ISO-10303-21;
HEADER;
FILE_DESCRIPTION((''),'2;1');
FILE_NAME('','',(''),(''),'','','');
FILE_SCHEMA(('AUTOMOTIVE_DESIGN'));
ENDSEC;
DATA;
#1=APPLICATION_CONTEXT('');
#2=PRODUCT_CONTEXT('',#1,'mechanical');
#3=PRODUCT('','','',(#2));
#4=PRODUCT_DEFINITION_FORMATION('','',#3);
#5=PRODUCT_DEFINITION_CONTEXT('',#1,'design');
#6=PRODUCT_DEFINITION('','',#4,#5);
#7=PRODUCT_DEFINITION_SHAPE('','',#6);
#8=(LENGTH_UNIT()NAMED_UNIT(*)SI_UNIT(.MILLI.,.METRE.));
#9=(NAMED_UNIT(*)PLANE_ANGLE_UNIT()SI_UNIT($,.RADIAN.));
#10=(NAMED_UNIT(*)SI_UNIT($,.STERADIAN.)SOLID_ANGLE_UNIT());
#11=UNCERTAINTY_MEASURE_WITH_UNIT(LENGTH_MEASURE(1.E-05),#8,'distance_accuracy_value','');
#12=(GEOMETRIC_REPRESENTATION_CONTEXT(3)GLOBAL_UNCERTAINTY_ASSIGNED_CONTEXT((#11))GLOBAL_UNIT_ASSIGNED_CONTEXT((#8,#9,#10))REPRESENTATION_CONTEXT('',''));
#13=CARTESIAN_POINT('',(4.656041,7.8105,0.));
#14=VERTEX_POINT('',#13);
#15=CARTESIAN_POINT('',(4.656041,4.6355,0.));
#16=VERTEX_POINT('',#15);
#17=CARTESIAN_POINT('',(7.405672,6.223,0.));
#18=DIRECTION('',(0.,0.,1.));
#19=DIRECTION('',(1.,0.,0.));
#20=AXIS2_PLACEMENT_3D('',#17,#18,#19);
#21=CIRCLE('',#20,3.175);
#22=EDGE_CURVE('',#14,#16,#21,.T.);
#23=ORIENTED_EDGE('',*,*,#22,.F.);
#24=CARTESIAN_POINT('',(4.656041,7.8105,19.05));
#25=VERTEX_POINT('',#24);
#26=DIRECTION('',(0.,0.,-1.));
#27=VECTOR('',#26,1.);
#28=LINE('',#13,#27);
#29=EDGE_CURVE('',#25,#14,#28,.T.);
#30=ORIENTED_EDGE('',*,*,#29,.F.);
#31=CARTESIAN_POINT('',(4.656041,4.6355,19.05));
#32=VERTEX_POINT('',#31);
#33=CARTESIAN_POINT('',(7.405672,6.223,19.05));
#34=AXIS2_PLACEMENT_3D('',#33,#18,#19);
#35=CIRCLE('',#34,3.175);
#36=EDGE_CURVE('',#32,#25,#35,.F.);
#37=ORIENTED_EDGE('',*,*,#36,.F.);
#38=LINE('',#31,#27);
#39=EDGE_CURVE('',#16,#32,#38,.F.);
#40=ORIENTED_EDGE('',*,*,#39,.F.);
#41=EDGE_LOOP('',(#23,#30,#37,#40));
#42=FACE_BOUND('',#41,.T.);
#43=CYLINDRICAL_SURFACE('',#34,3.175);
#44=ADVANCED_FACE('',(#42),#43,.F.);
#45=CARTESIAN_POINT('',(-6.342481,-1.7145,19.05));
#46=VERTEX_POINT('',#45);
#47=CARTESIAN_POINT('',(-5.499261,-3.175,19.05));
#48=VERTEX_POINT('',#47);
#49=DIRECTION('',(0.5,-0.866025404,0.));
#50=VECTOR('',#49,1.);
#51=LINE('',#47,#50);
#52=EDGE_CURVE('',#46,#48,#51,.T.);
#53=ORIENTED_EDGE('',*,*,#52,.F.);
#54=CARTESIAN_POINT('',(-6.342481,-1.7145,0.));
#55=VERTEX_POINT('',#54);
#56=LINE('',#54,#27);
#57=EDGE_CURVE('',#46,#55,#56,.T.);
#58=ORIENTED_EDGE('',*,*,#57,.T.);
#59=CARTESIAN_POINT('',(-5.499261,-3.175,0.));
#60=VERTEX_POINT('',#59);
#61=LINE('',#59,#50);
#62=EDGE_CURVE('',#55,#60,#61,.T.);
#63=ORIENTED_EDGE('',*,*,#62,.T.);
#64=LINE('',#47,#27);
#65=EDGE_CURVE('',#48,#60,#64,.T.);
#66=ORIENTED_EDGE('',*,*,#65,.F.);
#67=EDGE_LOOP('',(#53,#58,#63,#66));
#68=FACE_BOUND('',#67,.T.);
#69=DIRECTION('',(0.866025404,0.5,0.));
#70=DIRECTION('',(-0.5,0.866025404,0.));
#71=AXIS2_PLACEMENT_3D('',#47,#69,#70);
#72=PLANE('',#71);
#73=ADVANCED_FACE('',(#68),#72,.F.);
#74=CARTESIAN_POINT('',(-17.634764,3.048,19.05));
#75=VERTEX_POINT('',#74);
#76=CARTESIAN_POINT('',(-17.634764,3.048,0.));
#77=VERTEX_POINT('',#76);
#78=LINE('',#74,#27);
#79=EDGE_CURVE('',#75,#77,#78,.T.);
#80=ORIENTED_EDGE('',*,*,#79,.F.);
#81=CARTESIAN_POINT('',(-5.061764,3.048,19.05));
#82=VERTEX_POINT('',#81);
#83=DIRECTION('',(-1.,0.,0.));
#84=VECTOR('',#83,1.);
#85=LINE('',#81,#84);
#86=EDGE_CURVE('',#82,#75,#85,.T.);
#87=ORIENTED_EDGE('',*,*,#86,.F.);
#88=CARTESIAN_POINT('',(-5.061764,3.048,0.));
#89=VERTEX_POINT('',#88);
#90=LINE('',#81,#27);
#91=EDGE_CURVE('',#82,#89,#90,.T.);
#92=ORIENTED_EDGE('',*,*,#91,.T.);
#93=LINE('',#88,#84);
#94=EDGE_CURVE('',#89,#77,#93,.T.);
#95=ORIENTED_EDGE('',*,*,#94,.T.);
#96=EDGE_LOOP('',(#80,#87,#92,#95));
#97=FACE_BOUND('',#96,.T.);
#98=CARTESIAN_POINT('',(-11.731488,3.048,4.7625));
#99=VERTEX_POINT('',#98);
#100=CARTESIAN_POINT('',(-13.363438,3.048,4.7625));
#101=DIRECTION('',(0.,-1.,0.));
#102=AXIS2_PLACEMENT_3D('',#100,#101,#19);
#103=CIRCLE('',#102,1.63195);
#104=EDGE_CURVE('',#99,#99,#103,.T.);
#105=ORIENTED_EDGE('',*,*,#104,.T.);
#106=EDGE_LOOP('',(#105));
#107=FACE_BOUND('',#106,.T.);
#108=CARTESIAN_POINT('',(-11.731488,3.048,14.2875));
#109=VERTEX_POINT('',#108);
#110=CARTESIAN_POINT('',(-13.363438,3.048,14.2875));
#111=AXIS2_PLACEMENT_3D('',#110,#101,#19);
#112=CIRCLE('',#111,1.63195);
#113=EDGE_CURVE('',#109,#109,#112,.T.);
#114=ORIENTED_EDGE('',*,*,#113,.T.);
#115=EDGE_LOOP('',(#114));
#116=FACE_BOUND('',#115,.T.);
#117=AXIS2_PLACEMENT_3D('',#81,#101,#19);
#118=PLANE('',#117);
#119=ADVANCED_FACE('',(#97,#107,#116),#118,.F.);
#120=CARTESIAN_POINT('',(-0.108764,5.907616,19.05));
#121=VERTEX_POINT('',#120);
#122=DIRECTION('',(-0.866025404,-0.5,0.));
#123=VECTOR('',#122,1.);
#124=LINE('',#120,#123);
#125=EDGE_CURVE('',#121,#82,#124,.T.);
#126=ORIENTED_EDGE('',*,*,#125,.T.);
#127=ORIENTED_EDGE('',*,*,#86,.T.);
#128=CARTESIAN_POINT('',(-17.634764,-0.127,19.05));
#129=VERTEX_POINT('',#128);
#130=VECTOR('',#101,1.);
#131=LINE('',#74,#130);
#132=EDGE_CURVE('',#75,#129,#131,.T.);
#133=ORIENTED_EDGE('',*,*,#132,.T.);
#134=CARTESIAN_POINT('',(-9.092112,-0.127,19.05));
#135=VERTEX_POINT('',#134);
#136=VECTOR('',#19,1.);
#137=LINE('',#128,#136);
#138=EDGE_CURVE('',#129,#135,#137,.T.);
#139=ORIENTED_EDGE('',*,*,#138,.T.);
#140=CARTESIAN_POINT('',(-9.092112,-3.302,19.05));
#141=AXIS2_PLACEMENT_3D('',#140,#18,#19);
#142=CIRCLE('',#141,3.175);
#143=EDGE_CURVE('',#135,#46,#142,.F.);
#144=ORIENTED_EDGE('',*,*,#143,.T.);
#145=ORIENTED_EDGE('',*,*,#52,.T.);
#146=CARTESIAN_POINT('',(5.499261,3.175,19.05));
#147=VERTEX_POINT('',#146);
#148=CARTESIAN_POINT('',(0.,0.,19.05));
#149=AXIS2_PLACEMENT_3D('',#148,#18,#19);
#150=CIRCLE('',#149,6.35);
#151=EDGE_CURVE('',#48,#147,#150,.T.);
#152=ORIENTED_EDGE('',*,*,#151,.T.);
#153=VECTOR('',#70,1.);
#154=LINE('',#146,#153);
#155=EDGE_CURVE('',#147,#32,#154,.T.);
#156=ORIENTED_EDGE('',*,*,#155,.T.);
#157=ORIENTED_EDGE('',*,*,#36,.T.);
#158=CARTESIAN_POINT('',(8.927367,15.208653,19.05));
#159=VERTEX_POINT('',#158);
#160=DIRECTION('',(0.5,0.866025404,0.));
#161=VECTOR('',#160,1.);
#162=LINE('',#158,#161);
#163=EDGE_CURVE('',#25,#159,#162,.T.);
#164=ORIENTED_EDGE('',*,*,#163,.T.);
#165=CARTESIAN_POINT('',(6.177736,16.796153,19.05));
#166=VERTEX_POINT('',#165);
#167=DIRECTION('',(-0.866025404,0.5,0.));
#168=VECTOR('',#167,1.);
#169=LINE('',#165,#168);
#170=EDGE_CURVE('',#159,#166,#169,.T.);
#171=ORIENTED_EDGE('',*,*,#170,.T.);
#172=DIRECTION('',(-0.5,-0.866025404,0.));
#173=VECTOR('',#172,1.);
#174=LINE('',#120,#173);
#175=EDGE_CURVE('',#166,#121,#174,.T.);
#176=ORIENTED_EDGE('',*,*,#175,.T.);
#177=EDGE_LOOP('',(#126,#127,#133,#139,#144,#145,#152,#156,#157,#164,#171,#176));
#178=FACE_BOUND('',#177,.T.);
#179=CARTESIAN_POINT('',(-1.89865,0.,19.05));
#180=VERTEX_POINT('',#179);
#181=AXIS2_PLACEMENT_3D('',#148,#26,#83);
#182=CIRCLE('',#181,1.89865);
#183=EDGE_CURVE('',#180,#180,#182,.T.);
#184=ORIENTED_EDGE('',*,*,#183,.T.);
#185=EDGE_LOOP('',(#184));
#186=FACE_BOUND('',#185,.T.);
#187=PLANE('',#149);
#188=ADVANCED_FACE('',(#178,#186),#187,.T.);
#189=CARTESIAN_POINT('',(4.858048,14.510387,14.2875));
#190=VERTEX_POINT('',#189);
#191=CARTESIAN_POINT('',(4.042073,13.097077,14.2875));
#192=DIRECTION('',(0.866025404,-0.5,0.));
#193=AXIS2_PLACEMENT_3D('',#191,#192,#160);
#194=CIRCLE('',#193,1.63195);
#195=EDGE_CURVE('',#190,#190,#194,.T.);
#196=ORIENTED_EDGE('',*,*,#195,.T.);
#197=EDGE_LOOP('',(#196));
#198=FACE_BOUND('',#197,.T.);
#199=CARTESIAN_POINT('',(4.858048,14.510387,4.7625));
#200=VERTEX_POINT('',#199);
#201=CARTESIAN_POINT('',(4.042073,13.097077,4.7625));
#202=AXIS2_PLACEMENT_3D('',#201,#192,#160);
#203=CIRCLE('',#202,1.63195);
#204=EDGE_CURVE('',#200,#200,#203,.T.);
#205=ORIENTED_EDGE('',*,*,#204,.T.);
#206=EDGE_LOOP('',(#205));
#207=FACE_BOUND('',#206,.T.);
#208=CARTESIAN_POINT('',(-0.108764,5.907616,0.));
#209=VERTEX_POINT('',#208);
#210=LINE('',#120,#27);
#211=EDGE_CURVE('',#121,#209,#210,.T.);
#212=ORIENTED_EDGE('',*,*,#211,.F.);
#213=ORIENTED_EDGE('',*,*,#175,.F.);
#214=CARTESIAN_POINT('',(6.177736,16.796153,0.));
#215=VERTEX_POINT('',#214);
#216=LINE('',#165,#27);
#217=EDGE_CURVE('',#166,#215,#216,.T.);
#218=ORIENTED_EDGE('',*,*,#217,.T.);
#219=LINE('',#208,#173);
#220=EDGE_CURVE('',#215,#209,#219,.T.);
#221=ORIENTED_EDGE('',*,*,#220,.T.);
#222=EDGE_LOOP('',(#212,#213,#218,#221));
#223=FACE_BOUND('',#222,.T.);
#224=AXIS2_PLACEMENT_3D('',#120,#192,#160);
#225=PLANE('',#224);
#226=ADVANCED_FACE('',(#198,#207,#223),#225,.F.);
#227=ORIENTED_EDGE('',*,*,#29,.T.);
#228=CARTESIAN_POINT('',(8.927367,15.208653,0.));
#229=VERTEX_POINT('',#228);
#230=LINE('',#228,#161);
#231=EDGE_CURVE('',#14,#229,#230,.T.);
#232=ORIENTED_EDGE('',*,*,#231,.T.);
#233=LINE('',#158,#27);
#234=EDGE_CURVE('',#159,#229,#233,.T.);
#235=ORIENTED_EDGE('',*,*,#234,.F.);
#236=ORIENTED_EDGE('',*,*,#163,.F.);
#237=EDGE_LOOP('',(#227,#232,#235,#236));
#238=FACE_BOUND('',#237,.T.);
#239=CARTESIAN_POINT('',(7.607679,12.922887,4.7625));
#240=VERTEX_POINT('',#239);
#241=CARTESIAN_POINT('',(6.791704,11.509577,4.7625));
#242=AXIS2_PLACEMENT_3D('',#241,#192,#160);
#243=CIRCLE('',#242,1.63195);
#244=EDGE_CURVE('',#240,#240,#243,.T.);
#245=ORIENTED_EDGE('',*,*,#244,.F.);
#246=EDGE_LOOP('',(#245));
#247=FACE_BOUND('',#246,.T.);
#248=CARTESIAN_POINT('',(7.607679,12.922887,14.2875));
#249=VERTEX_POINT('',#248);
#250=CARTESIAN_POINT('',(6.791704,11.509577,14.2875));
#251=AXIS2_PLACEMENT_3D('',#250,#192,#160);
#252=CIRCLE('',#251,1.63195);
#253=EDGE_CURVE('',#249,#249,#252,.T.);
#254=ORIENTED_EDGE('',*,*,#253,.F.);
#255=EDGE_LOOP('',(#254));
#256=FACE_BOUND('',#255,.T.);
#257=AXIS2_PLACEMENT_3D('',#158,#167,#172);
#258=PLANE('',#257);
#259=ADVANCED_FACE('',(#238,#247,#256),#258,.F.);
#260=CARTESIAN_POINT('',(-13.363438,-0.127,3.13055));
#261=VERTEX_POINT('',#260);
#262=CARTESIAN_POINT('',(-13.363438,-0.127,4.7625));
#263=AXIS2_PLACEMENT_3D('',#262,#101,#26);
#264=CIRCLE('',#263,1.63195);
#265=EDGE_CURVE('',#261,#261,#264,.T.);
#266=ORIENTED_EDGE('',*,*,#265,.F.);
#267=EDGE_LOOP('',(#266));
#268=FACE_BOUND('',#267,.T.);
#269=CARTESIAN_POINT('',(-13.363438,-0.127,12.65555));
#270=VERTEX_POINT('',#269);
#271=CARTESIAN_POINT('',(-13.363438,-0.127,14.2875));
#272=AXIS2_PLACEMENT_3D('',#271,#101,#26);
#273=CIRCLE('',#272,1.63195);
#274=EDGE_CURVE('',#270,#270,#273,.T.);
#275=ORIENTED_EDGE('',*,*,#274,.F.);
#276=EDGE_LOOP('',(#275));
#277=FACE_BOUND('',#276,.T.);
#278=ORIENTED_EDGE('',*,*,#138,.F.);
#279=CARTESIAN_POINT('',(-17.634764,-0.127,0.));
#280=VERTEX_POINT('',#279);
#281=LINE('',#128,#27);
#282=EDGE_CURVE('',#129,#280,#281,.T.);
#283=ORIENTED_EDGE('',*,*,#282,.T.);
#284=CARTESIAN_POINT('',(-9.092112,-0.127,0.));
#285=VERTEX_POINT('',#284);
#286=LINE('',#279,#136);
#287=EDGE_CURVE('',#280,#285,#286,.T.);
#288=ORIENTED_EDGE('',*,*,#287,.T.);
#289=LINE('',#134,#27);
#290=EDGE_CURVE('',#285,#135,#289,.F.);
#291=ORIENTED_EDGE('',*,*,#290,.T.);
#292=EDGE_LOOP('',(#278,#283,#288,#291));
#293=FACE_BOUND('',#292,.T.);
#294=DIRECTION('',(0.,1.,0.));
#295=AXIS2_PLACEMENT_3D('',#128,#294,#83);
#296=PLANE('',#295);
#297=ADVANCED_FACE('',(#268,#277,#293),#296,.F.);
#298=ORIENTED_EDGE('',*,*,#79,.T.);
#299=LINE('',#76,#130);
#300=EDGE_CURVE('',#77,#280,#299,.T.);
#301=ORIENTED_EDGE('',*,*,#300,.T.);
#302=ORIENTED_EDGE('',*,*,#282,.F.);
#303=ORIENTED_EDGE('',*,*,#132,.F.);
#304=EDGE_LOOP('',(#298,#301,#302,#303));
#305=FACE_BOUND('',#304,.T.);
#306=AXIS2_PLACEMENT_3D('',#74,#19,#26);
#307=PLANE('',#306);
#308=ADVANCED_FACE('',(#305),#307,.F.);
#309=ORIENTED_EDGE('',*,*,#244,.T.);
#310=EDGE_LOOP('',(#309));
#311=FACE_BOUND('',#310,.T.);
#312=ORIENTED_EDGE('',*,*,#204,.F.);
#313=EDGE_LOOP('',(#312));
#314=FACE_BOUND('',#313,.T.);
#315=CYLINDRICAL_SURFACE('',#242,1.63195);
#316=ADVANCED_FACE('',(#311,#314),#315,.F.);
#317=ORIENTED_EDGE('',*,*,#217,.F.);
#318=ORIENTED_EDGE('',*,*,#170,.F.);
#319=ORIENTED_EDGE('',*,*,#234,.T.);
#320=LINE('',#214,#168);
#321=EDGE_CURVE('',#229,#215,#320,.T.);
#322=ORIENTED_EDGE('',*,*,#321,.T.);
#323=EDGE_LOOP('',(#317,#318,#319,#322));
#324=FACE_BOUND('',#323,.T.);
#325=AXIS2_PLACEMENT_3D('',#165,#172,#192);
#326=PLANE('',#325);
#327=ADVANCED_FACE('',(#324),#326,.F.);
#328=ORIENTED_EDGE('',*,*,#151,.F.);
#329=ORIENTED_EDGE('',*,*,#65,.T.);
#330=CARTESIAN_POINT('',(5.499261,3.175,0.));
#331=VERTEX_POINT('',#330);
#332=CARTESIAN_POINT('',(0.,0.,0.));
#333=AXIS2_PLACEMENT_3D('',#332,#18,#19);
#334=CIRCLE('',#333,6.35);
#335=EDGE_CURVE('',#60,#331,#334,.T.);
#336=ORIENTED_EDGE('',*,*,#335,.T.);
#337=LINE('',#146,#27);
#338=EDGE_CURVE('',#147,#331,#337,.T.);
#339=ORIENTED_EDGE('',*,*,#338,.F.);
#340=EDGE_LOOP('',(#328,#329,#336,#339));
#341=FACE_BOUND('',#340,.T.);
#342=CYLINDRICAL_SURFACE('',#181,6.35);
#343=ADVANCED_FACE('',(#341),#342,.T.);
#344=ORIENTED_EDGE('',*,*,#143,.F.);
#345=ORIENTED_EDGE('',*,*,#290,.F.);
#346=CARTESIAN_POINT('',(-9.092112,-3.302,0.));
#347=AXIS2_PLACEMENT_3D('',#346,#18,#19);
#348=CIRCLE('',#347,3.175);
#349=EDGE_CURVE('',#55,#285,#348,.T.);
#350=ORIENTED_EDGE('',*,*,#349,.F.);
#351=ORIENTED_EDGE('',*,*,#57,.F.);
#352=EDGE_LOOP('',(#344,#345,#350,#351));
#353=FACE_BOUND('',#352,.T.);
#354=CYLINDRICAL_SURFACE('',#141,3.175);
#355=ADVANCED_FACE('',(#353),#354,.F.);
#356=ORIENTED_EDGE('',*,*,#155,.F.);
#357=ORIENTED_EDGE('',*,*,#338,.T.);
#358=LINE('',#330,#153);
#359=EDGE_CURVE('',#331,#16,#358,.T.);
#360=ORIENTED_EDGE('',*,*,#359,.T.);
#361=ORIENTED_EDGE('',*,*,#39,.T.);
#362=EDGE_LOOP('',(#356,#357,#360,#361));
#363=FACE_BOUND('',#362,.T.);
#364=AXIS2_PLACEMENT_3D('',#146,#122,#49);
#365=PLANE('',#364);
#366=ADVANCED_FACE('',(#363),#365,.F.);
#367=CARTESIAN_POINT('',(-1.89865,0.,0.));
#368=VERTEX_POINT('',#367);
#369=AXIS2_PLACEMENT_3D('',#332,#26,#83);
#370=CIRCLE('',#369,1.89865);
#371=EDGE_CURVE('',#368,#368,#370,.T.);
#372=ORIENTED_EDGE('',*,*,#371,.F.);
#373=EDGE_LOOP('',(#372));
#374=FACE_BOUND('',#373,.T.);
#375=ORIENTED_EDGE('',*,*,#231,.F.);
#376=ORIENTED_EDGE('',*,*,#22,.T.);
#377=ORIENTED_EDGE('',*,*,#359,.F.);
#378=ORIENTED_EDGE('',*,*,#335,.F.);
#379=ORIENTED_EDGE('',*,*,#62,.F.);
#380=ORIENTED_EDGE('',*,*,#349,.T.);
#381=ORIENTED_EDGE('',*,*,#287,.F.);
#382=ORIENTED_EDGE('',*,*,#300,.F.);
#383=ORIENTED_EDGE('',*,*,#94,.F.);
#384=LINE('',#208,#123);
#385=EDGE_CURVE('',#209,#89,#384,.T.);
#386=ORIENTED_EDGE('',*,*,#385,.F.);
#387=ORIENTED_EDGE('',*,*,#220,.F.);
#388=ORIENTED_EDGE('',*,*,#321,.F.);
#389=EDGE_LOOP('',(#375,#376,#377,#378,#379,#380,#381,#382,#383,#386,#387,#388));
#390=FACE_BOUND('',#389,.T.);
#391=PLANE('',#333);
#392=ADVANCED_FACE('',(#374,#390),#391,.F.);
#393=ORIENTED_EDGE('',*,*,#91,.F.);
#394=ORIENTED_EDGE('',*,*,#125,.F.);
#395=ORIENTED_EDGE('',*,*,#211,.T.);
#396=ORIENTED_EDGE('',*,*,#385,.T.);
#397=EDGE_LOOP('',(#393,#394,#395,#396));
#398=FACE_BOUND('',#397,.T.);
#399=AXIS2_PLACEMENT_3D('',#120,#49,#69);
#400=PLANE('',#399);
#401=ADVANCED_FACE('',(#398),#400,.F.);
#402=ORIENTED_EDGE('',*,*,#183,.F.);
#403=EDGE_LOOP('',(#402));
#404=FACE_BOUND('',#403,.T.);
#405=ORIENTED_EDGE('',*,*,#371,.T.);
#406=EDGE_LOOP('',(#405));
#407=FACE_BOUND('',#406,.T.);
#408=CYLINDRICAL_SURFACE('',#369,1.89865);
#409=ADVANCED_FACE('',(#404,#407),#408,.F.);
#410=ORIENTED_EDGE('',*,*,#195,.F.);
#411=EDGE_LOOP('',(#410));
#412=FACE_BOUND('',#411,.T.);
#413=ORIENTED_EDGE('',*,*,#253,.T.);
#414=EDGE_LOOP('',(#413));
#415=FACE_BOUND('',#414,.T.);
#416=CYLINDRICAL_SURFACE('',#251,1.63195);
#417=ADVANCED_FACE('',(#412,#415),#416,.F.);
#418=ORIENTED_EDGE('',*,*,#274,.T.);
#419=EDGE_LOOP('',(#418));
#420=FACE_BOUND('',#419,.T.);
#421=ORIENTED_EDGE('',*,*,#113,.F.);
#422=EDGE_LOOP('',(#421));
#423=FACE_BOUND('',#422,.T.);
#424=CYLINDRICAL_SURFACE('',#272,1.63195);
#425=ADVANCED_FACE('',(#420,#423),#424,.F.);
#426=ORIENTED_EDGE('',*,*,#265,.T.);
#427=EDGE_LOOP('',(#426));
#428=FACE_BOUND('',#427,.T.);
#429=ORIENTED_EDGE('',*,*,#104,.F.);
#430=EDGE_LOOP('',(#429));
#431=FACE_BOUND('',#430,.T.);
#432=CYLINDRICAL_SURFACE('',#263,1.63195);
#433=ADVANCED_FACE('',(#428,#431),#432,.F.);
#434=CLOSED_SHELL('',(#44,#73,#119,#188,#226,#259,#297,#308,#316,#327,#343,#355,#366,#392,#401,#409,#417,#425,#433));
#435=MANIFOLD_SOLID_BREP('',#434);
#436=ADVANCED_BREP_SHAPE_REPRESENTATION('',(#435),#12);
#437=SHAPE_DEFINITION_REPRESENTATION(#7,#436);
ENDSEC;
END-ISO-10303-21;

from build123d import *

# Parameters (mm, degrees)
BOSS_EXTRUDE1_DEPTH     = 19.05
F_6_CLEARANCE_HOLE1_D   = 3.7973
FILLET1_R               = 3.175
E_0_25_DIAMETER_HOLE1_D = 3.2639
E_0_25_DIAMETER_HOLE2_D = 3.2639


with BuildPart() as part:
    # Sketch1 → Boss-Extrude1 (new body)
    with BuildSketch(Plane.XY):
        with BuildLine():
            Line((-0.10876362, 5.907615883), (6.17773638, 16.796153285))
            Line((6.17773638, 16.796153285), (8.927367037, 15.208653285))
            Line((8.927367037, 15.208653285), (3.739497694, 6.223))
            Line((3.739497694, 6.223), (5.499261314, 3.175))
            ThreePointArc((5.499261314, 3.175), (3.175, -5.499261314), (-5.499261314, -3.175))
            Line((-5.499261314, -3.175), (-7.259024935, -0.127))
            Line((-7.259024935, -0.127), (-17.63476362, -0.127))
            Line((-17.63476362, -0.127), (-17.63476362, 3.048))
            Line((-17.63476362, 3.048), (-5.06176362, 3.048))
            Line((-5.06176362, 3.048), (-0.10876362, 5.907615883))
        make_face()
    extrude(amount=BOSS_EXTRUDE1_DEPTH)

    # #6 Clearance Hole1 (through all)
    with Locations(Plane(origin=(0, 0, 0), x_dir=(-1, 0, 0), z_dir=(0, 0, -1))):
        with Locations((0, 0)):
            Hole(F_6_CLEARANCE_HOLE1_D / 2)

    # Fillet1
    fillet1_edges = [part.edges().sort_by_distance(p)[0] for p in [
        (3.739497694, 6.223, 9.525),
        (-7.259024935, -0.127, 9.525),
    ]]
    fillet(fillet1_edges, radius=FILLET1_R)

    # E (0.25) Diameter Hole1 (through all)
    with Locations(Plane(origin=(0.109985226, -0.0635, 0), x_dir=(0, 0, -1), z_dir=(0.86602540378444, -0.49999999999999784, 0))):
        with Locations((-4.7625, 13.36343783), (-14.2875, 13.36343783)):
            Hole(E_0_25_DIAMETER_HOLE1_D / 2)

    # E (0.25) Diameter Hole2 (through all)
    with Locations(Plane(origin=(-13.36343783, -0.127, 14.2875), x_dir=(-1, 0, 0), z_dir=(0, -1, 0))):
        with Locations((0, 0), (0, 9.525)):
            Hole(E_0_25_DIAMETER_HOLE2_D / 2)


solid = part.part
